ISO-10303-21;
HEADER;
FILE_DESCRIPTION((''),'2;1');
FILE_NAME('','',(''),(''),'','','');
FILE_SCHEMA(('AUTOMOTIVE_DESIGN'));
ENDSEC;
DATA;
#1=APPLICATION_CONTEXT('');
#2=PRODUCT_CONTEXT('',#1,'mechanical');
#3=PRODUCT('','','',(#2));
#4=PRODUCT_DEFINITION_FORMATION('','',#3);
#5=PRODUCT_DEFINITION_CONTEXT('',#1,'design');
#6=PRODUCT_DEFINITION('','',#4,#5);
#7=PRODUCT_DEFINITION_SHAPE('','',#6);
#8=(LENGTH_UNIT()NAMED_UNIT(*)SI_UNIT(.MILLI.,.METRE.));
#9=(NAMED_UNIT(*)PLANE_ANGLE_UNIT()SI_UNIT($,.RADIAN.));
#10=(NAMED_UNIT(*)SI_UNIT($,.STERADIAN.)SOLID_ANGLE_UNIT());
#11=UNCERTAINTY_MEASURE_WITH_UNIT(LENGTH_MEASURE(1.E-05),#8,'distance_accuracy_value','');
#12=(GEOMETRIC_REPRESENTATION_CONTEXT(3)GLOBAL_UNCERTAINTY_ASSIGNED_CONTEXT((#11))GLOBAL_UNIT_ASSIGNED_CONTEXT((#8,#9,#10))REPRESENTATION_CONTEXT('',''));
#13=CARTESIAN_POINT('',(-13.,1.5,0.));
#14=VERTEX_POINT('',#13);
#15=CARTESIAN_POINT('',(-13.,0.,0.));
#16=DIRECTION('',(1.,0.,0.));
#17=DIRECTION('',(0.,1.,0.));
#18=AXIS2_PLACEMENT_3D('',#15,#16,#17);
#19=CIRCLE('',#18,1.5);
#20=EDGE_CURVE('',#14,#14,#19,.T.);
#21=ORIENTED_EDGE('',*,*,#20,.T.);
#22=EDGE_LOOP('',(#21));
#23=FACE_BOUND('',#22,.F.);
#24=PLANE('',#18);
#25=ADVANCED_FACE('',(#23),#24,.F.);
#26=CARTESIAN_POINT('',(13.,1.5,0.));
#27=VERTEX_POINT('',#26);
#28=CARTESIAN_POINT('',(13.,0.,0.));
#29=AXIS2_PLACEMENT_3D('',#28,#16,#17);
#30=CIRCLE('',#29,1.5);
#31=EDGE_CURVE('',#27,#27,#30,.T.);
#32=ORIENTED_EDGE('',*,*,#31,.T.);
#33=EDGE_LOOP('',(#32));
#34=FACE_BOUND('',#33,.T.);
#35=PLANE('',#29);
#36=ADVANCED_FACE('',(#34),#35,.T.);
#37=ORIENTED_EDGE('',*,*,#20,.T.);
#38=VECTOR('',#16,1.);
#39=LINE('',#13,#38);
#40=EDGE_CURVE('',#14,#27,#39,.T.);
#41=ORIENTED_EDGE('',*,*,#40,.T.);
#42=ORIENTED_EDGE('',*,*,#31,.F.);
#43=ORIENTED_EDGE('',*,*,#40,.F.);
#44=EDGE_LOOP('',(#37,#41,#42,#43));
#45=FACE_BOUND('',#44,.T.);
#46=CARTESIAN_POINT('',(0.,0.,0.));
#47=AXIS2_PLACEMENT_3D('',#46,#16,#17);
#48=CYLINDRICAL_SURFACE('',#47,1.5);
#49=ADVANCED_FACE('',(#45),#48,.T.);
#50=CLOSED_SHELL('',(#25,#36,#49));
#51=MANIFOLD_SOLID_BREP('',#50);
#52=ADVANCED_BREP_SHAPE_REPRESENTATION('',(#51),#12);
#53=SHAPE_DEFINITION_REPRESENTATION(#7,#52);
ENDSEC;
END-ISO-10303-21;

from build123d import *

# Parameters (mm, degrees)
SKETCH_R  = 1.5
PAD_DEPTH = 13


with BuildPart() as part:
    # Sketch → Pad (new body, symmetric)
    with BuildSketch(Plane.YZ):
        Circle(SKETCH_R)
    extrude(amount=PAD_DEPTH, both=True)


solid = part.part
